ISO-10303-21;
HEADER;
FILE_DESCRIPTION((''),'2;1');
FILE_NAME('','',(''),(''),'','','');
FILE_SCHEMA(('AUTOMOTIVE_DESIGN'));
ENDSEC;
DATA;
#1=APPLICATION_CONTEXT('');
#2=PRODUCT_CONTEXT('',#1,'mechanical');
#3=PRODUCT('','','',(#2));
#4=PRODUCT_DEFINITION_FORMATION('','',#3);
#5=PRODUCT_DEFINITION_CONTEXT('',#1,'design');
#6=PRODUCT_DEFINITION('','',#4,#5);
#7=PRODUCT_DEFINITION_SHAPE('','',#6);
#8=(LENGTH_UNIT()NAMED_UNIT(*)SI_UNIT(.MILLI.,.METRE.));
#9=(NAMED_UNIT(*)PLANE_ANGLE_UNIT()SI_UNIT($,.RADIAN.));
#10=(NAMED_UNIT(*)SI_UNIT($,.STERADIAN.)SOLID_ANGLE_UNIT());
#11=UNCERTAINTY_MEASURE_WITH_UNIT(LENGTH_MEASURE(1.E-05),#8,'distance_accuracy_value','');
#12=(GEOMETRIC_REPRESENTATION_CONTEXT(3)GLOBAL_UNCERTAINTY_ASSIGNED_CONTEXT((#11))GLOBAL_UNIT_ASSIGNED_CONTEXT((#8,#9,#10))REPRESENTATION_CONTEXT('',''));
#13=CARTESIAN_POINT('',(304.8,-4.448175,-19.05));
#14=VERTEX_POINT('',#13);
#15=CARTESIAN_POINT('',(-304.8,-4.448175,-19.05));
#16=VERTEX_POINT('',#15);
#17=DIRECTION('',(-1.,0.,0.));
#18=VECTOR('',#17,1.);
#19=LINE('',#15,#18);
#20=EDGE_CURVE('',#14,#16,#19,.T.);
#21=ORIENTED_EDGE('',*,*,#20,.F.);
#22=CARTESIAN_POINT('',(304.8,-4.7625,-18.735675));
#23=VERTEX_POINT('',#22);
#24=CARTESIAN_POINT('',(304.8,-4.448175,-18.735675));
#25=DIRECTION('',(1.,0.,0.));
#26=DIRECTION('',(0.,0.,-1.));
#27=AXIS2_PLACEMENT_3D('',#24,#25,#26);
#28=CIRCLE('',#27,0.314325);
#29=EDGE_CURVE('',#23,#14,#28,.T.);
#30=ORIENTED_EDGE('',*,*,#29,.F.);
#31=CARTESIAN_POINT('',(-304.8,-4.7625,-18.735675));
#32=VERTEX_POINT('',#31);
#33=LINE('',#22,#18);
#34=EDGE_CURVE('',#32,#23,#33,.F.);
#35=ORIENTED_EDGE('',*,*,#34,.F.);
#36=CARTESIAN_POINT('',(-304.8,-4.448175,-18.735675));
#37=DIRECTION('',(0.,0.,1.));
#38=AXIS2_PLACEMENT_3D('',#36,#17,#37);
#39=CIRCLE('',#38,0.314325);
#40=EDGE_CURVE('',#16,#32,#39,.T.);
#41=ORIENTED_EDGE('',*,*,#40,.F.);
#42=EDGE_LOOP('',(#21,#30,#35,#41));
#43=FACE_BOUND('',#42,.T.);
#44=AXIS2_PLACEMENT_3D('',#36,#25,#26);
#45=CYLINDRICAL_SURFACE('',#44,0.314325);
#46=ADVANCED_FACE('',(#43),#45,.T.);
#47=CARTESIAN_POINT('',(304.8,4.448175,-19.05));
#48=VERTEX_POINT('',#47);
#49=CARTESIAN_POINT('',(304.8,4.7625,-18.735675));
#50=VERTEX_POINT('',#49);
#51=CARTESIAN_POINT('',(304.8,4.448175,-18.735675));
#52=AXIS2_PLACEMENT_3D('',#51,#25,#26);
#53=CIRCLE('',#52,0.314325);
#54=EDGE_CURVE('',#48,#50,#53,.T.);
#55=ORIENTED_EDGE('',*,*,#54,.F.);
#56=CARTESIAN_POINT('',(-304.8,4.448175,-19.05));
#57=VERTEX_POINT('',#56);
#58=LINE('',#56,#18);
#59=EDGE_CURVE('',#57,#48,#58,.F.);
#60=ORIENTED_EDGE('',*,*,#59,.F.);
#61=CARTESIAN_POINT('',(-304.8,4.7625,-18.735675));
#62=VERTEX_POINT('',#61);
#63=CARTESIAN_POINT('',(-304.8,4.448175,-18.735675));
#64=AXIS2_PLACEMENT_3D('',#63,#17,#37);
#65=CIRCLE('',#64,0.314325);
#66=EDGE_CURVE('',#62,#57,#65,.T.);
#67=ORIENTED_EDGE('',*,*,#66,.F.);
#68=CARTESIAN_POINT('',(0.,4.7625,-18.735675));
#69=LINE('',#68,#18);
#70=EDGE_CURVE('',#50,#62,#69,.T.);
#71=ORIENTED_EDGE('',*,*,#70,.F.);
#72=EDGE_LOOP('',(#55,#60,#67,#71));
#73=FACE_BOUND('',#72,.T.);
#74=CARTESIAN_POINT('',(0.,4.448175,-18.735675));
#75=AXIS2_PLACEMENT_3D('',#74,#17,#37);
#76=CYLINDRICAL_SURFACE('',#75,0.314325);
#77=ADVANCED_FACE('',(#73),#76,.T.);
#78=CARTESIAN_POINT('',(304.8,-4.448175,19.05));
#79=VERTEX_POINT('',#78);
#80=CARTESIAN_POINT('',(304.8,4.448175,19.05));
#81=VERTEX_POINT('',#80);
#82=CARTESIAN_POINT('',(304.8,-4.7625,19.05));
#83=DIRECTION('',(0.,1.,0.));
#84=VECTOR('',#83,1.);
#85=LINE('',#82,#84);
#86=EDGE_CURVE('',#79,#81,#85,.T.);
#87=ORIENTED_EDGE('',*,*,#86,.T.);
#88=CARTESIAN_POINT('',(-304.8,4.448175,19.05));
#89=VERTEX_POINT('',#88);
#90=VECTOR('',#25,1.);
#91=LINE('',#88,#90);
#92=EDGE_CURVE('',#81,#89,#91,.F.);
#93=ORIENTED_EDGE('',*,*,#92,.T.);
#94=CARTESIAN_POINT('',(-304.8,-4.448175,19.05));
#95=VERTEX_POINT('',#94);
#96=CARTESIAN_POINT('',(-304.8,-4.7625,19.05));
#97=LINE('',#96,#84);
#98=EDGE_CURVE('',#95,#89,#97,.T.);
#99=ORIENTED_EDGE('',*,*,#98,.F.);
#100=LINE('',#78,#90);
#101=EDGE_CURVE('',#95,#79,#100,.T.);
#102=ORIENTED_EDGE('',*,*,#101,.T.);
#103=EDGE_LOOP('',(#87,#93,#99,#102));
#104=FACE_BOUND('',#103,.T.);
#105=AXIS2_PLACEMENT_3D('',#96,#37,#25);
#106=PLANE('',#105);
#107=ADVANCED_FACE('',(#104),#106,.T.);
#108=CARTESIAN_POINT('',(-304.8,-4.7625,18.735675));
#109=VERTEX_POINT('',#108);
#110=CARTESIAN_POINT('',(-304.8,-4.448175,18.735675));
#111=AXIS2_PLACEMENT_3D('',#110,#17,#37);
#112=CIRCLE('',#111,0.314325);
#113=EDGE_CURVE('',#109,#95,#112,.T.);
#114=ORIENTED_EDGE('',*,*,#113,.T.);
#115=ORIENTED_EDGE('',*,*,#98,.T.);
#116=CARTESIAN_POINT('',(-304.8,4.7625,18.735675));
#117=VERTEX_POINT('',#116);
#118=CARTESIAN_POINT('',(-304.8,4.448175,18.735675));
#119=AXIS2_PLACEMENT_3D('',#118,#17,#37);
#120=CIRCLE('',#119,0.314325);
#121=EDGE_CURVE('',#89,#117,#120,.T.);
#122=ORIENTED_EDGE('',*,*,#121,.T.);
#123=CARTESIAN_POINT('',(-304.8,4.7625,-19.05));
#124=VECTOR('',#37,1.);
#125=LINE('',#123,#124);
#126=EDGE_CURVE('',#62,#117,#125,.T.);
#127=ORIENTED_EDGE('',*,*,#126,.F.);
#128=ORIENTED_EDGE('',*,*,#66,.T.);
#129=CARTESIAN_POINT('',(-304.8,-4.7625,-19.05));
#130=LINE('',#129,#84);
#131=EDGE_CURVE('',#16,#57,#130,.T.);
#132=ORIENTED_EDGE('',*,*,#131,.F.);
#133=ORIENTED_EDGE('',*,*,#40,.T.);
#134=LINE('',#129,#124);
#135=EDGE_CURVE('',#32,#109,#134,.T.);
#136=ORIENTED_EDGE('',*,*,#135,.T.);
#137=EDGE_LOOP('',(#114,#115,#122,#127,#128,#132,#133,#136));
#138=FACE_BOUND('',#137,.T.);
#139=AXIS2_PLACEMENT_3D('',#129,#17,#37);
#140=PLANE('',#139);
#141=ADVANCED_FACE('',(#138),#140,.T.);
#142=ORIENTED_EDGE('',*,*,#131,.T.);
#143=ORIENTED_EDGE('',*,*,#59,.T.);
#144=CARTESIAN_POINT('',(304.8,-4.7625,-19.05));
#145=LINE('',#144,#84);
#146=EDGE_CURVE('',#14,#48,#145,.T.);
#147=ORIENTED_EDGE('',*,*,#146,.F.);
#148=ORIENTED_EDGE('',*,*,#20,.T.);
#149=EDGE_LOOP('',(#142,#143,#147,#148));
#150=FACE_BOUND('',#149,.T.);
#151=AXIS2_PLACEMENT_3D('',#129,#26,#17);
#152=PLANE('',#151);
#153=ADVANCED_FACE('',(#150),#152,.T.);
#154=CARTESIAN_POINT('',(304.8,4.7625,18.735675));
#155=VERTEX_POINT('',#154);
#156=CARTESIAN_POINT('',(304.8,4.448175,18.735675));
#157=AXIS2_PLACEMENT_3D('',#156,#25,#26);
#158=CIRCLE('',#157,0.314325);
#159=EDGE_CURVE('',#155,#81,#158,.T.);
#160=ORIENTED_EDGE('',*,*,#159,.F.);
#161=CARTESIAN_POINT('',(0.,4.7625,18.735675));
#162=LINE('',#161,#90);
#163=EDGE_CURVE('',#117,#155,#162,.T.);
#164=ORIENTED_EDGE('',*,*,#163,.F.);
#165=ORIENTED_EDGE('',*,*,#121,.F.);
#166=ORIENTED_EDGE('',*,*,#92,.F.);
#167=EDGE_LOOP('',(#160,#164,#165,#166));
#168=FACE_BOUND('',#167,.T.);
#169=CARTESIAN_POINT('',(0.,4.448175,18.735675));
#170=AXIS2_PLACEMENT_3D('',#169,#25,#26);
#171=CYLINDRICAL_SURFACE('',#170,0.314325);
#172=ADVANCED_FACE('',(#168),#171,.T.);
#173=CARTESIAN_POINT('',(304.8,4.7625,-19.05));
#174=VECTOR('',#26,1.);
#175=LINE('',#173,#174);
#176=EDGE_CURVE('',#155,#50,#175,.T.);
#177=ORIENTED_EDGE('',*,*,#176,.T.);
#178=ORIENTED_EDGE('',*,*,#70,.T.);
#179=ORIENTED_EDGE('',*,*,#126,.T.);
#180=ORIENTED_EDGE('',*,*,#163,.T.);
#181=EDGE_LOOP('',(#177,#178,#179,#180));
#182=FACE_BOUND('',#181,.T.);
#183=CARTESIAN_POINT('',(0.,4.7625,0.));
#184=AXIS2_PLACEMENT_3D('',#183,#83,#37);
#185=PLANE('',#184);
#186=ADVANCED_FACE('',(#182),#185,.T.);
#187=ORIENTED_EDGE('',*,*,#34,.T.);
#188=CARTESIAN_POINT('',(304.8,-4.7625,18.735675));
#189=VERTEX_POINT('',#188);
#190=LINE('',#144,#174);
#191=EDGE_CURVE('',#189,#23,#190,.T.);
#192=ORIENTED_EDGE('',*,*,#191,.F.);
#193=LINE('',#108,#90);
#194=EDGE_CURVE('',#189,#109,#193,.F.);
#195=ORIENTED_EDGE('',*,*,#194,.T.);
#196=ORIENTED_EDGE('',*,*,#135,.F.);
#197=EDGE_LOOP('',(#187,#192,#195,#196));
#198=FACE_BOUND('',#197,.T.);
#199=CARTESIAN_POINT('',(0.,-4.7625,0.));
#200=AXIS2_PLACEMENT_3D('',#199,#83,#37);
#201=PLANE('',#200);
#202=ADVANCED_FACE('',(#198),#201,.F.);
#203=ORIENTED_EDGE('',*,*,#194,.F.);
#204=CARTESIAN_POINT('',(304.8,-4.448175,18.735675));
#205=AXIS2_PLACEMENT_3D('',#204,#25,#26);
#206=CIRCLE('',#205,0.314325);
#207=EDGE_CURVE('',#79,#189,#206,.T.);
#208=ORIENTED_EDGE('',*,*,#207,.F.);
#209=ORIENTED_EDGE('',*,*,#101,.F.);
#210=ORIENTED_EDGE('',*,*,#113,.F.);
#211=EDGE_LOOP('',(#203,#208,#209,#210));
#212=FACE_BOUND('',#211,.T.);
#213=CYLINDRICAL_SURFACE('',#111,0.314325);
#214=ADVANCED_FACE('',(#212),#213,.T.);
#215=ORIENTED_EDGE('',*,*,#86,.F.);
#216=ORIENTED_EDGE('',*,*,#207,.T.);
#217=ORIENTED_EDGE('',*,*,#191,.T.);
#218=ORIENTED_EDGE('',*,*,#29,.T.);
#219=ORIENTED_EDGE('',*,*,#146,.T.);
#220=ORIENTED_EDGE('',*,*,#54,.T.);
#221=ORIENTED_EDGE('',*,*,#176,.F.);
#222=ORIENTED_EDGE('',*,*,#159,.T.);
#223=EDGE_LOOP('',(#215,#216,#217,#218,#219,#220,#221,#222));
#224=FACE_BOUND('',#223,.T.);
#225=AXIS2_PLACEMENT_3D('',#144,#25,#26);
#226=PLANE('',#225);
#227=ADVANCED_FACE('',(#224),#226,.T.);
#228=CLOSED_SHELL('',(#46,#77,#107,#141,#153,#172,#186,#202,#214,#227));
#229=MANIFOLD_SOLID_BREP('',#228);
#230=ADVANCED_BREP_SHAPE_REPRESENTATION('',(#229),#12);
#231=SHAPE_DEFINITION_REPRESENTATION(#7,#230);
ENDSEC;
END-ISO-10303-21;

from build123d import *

# Parameters (mm, degrees)
BOSS_EXTRUDE1_DEPTH      = 4.7625
BOSS_EXTRUDE1_DEPTH_BACK = 4.7625
SKETCH3_W                = 609.6
SKETCH3_H                = 38.1
FILLET1_R                = 0.314325


with BuildPart() as part:
    # Sketch3 → Boss-Extrude1 (new, two sides: drawn at the far end of the back side and taken through both)
    with BuildSketch(Plane(origin=(0, 0, 0), x_dir=(1, 0, 0), z_dir=(0, 1, 0)).offset(-BOSS_EXTRUDE1_DEPTH_BACK)):
        Rectangle(SKETCH3_W, SKETCH3_H)
    extrude(amount=BOSS_EXTRUDE1_DEPTH + BOSS_EXTRUDE1_DEPTH_BACK)

    # Fillet1
    fillet1_edges = [part.edges().sort_by_distance(p)[0] for p in [
        (0, 4.7625, 19.05),
        (0, -4.7625, -19.05),
        (0, 4.7625, -19.05),
        (0, -4.7625, 19.05),
    ]]
    fillet(fillet1_edges, radius=FILLET1_R)


solid = part.part
